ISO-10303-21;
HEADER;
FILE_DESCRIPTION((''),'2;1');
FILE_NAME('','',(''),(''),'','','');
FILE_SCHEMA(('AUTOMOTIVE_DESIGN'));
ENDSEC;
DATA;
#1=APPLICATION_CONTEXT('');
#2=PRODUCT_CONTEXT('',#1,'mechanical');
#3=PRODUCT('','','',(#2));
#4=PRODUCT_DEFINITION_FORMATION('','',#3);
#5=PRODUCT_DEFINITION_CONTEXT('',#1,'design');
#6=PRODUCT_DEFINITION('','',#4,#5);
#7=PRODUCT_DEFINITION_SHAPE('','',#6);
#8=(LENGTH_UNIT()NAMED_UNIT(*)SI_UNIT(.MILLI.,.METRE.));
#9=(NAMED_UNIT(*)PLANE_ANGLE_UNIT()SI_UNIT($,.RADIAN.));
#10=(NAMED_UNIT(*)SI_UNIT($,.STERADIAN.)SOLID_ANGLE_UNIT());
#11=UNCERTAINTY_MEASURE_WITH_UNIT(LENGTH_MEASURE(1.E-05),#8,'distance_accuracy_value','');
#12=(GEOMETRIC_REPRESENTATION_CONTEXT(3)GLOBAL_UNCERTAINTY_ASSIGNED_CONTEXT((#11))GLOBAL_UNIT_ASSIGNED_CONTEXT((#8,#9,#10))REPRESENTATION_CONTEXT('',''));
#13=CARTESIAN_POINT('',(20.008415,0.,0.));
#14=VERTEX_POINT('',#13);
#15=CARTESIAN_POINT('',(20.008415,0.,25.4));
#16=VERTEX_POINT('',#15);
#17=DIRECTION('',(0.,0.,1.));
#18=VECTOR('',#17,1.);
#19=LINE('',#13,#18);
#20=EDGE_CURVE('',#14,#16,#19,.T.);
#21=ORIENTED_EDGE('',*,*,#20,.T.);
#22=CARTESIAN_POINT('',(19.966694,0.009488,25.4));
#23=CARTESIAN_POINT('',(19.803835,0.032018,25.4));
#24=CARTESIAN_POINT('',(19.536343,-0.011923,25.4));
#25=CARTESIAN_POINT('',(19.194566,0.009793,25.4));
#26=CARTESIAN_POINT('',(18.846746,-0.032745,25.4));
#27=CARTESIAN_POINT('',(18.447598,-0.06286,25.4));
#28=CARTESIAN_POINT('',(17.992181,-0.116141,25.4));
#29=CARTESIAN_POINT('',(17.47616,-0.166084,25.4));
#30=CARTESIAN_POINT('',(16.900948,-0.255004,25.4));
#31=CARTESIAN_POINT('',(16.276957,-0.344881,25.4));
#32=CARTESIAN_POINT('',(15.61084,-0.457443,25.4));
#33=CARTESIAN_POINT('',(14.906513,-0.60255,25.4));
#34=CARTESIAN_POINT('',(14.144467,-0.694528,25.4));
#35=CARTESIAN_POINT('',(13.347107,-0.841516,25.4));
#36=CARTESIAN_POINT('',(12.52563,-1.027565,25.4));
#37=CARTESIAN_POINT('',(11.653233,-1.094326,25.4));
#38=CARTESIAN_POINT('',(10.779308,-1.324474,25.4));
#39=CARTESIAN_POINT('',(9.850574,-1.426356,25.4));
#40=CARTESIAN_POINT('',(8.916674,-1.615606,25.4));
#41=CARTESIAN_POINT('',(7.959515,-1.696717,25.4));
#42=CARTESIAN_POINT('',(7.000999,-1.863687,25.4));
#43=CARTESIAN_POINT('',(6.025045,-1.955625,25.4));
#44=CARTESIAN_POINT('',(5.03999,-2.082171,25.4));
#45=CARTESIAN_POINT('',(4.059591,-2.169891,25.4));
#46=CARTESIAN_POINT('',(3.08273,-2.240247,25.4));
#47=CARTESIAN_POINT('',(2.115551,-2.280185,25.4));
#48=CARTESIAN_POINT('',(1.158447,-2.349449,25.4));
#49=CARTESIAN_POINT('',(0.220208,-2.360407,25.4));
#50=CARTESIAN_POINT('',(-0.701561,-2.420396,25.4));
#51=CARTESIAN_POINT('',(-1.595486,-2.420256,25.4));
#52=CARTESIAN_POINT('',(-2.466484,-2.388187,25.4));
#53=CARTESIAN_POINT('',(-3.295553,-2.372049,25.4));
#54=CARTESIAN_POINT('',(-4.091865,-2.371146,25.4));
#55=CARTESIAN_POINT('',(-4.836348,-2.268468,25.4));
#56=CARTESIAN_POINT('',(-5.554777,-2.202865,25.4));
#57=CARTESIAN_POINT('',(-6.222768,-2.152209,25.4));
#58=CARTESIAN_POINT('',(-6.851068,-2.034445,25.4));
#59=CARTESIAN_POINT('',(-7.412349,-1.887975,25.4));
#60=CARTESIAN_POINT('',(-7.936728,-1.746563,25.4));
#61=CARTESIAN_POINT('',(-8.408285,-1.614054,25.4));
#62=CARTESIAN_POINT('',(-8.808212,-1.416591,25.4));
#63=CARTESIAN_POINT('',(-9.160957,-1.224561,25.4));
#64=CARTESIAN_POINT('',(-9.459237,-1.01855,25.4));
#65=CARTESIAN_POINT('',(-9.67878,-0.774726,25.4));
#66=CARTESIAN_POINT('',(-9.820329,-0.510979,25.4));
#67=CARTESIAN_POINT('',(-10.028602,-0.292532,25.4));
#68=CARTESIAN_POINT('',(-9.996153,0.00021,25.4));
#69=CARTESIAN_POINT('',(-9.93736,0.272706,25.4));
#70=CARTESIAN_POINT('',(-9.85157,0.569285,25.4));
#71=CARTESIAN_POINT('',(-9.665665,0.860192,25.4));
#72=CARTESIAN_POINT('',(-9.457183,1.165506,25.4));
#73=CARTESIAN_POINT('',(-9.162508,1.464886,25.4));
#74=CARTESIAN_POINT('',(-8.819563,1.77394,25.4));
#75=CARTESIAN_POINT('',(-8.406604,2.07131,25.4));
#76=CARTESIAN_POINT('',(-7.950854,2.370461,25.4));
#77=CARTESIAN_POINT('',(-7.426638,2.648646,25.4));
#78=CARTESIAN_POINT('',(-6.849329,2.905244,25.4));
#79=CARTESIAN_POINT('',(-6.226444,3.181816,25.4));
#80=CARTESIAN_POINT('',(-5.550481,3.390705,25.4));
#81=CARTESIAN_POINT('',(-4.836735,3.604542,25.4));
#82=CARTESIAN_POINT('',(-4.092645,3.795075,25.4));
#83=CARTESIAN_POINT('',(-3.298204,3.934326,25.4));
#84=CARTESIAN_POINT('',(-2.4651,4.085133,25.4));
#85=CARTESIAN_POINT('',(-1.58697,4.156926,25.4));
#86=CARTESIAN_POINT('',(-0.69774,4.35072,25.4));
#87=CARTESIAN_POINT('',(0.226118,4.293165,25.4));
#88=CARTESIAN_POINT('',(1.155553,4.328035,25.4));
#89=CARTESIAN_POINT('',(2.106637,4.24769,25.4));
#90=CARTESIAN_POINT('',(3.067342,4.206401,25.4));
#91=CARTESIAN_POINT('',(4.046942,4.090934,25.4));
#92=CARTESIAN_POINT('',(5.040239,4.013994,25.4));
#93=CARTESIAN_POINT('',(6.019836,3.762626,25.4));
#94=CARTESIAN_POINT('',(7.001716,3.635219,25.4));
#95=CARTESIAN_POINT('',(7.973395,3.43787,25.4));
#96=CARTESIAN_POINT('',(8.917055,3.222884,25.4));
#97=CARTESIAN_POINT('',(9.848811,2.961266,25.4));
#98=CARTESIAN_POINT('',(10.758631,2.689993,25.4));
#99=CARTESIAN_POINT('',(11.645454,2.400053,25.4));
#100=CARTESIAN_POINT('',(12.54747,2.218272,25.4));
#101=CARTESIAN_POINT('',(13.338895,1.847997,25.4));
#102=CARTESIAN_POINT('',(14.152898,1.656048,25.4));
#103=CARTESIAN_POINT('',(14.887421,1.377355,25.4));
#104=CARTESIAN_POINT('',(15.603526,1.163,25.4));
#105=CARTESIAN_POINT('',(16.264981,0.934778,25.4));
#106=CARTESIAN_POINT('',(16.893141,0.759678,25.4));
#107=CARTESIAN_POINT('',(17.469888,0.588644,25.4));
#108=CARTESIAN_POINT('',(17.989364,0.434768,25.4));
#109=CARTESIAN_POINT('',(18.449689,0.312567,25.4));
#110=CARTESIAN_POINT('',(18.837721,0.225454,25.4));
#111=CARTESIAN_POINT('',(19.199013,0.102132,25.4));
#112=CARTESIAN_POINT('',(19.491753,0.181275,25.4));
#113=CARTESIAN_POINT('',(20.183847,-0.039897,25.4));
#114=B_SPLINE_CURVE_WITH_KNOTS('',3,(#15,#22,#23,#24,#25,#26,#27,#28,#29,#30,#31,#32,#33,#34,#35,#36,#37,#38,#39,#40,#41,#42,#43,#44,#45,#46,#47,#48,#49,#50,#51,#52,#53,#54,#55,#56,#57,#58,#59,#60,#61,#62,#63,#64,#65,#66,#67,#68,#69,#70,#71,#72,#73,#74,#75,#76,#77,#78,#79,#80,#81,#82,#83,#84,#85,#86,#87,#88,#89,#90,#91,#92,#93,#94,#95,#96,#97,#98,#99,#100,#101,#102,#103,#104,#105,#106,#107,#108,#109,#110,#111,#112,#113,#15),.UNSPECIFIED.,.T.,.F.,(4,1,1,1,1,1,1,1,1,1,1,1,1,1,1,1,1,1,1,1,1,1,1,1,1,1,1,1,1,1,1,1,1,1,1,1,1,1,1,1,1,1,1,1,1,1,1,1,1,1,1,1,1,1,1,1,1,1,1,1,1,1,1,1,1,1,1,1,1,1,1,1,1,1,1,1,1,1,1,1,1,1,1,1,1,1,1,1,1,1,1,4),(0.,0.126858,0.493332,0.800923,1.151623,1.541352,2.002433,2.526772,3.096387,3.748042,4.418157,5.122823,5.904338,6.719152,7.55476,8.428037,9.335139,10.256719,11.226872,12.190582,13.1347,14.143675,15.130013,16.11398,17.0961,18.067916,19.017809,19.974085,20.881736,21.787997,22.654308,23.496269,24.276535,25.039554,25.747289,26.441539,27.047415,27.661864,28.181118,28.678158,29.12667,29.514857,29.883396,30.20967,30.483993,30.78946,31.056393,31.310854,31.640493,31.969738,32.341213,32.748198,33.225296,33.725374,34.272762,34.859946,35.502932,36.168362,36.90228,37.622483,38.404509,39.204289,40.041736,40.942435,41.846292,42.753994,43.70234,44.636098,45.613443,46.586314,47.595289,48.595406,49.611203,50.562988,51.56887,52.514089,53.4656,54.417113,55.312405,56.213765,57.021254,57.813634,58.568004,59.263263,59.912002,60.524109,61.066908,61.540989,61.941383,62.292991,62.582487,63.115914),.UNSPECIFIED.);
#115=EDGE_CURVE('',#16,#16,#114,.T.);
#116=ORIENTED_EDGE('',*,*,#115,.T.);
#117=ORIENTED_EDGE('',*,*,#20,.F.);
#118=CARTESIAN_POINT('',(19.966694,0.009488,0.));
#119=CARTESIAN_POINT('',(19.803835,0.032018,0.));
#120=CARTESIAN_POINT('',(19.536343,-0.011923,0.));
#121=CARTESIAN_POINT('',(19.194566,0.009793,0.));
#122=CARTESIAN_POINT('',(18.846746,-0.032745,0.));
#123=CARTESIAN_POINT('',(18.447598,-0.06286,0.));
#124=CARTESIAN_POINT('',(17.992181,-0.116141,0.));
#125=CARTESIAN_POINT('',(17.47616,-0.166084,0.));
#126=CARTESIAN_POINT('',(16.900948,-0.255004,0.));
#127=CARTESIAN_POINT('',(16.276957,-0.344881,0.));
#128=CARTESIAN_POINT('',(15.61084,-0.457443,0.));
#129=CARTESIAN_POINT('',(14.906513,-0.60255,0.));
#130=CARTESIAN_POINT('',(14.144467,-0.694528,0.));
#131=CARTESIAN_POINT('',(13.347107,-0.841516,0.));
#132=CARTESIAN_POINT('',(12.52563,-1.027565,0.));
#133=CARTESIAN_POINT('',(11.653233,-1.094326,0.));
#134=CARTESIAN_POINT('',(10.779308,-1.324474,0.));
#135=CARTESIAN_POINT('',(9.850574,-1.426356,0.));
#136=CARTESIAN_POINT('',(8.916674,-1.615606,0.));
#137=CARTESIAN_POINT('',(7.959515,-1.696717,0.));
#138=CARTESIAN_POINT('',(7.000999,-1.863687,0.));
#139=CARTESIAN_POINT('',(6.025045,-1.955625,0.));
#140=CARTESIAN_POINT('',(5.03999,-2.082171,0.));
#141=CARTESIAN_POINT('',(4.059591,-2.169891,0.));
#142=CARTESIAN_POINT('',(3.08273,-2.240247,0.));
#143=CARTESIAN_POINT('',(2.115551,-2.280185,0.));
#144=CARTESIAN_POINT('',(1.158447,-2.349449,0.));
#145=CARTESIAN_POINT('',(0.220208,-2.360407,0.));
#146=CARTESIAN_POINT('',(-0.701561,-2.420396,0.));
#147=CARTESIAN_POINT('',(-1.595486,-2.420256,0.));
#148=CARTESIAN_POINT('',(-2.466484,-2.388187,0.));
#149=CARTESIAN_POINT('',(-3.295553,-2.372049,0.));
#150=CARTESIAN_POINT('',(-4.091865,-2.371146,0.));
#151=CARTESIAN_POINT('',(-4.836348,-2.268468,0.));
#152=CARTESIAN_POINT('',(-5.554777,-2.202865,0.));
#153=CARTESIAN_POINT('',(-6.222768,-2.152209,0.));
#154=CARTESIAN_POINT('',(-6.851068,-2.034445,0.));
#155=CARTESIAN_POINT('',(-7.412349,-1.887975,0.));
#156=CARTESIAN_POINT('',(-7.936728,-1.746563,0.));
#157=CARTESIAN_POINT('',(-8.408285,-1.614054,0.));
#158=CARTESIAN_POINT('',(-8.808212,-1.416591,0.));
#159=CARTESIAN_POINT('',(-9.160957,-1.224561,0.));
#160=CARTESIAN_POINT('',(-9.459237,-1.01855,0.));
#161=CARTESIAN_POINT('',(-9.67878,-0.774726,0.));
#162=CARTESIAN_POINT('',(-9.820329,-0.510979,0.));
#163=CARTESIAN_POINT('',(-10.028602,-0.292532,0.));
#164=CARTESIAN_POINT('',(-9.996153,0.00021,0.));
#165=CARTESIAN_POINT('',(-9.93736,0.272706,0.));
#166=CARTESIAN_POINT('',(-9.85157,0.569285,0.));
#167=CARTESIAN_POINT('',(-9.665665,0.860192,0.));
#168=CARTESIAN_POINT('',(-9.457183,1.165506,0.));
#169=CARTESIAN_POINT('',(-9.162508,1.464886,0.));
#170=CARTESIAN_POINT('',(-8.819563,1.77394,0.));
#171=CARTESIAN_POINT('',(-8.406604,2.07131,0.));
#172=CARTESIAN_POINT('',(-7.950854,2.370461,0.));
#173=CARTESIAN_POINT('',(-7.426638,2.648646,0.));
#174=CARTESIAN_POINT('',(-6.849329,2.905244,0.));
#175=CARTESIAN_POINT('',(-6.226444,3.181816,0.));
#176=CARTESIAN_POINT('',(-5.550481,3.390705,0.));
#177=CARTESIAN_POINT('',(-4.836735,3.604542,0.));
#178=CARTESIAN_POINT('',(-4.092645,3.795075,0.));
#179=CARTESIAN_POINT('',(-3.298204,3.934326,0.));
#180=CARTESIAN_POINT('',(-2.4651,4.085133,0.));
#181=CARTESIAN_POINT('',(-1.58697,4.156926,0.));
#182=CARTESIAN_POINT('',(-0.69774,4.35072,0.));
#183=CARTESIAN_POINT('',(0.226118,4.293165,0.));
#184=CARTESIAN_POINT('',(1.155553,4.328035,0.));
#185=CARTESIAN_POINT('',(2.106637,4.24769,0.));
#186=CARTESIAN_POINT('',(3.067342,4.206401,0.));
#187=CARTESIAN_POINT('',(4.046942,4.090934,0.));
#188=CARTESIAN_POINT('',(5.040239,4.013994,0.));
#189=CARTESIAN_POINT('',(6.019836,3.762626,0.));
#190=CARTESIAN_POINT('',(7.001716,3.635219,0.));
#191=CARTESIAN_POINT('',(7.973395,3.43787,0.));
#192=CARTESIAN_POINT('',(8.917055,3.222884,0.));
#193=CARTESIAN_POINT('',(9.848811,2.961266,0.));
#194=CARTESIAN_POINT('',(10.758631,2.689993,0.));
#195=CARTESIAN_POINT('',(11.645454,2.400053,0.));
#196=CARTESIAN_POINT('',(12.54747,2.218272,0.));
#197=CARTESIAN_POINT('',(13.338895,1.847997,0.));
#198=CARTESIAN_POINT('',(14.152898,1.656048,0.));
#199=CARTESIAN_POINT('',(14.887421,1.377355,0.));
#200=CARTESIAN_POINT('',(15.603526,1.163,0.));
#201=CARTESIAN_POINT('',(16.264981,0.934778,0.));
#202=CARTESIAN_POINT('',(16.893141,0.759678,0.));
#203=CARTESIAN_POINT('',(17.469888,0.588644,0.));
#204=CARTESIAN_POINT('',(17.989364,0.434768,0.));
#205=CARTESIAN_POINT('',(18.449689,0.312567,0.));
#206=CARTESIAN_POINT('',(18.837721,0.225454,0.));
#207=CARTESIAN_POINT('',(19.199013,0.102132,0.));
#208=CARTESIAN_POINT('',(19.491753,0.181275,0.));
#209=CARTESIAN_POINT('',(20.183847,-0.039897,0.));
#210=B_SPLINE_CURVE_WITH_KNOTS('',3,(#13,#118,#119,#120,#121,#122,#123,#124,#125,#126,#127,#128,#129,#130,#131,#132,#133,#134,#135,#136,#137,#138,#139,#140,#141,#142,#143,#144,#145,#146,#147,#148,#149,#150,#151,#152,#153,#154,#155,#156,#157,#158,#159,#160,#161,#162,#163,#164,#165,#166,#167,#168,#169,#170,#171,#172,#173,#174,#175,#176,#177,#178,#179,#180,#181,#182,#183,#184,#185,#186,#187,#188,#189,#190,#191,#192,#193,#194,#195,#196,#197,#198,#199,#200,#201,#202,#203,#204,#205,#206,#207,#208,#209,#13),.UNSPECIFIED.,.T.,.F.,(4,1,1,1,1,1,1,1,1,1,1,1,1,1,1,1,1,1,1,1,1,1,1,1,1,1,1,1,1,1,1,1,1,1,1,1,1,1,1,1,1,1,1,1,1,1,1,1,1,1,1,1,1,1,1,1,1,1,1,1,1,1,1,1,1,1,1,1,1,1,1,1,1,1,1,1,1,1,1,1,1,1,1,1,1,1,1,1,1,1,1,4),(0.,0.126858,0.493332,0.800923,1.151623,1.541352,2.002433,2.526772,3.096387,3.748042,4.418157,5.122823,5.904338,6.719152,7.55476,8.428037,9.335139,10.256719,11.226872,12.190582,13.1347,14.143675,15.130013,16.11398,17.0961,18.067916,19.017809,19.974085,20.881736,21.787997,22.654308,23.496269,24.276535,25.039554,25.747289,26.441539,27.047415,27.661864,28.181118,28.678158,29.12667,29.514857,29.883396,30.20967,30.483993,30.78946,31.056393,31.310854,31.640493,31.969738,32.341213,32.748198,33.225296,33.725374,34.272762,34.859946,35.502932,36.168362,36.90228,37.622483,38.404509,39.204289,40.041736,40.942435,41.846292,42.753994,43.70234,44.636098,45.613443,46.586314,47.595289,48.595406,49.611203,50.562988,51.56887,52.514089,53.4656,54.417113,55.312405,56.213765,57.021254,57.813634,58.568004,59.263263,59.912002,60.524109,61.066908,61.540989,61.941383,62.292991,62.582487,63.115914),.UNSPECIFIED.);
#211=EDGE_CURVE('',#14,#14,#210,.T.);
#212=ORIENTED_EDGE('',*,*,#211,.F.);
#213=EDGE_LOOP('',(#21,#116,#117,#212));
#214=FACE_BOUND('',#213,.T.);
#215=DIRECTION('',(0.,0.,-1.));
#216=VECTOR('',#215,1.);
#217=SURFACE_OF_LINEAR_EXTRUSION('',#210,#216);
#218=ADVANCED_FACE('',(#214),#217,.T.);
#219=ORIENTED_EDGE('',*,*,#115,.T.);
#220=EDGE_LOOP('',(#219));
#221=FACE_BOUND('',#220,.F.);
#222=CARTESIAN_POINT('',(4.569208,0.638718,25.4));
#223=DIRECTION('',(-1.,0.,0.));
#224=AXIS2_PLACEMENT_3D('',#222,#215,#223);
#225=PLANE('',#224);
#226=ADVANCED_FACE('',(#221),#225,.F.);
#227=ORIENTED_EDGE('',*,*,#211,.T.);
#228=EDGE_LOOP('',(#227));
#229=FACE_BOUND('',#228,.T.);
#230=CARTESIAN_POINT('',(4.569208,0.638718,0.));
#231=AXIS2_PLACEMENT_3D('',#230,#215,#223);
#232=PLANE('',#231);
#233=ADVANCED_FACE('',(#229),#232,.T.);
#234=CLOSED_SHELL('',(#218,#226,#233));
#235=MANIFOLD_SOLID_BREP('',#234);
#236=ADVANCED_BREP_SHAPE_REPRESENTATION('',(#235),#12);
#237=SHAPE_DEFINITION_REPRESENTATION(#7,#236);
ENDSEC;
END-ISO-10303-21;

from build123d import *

# Parameters (mm, degrees)
F1_DEPTH = 25.4


with BuildPart() as f1:
    # F0 (on Top) → F1 (new body)
    with BuildSketch(Plane.XY):
        with BuildLine():
            add(Edge.make_bspline(
                [(20.008415, 0), (19.966694, 0.009488), (19.803835, 0.032018), (19.536343, -0.011923), (19.194566, 0.009793), (18.846746, -0.032745), (18.447598, -0.06286), (17.992181, -0.116141), (17.47616, -0.166084), (16.900948, -0.255004), (16.276957, -0.344881), (15.61084, -0.457443), (14.906513, -0.60255), (14.144467, -0.694528), (13.347107, -0.841516), (12.52563, -1.027565), (11.653233, -1.094326), (10.779308, -1.324474), (9.850574, -1.426356), (8.916674, -1.615606), (7.959515, -1.696717), (7.000999, -1.863687), (6.025045, -1.955625), (5.03999, -2.082171), (4.059591, -2.169891), (3.08273, -2.240247), (2.115551, -2.280185), (1.158447, -2.349449), (0.220208, -2.360407), (-0.701561, -2.420396), (-1.595486, -2.420256), (-2.466484, -2.388187), (-3.295553, -2.372049), (-4.091865, -2.371146), (-4.836348, -2.268468), (-5.554777, -2.202865), (-6.222768, -2.152209), (-6.851068, -2.034445), (-7.412349, -1.887975), (-7.936728, -1.746563), (-8.408285, -1.614054), (-8.808212, -1.416591), (-9.160957, -1.224561), (-9.459237, -1.01855), (-9.67878, -0.774726), (-9.820329, -0.510979), (-10.028602, -0.292532), (-9.996153, 0.00021), (-9.93736, 0.272706), (-9.85157, 0.569285), (-9.665665, 0.860192), (-9.457183, 1.165506), (-9.162508, 1.464886), (-8.819563, 1.77394), (-8.406604, 2.07131), (-7.950854, 2.370461), (-7.426638, 2.648646), (-6.849329, 2.905244), (-6.226444, 3.181816), (-5.550481, 3.390705), (-4.836735, 3.604542), (-4.092645, 3.795075), (-3.298204, 3.934326), (-2.4651, 4.085133), (-1.58697, 4.156926), (-0.69774, 4.35072), (0.226118, 4.293165), (1.155553, 4.328035), (2.106637, 4.24769), (3.067342, 4.206401), (4.046942, 4.090934), (5.040239, 4.013994), (6.019836, 3.762626), (7.001716, 3.635219), (7.973395, 3.43787), (8.917055, 3.222884), (9.848811, 2.961266), (10.758631, 2.689993), (11.645454, 2.400053), (12.54747, 2.218272), (13.338895, 1.847997), (14.152898, 1.656048), (14.887421, 1.377355), (15.603526, 1.163), (16.264981, 0.934778), (16.893141, 0.759678), (17.469888, 0.588644), (17.989364, 0.434768), (18.449689, 0.312567), (18.837721, 0.225454), (19.199013, 0.102132), (19.491753, 0.181275), (20.183847, -0.039897), (20.008415, 0)],
                knots=[0, 0, 0, 0, 0.126858, 0.493332, 0.800923, 1.151623, 1.541352, 2.002433, 2.526772, 3.096387, 3.748042, 4.418157, 5.122823, 5.904338, 6.719152, 7.55476, 8.428037, 9.335139, 10.256719, 11.226872, 12.190582, 13.1347, 14.143675, 15.130013, 16.11398, 17.0961, 18.067916, 19.017809, 19.974085, 20.881736, 21.787997, 22.654308, 23.496269, 24.276535, 25.039554, 25.747289, 26.441539, 27.047415, 27.661864, 28.181118, 28.678158, 29.12667, 29.514857, 29.883396, 30.20967, 30.483993, 30.78946, 31.056393, 31.310854, 31.640493, 31.969738, 32.341213, 32.748198, 33.225296, 33.725374, 34.272762, 34.859946, 35.502932, 36.168362, 36.90228, 37.622483, 38.404509, 39.204289, 40.041736, 40.942435, 41.846292, 42.753994, 43.70234, 44.636098, 45.613443, 46.586314, 47.595289, 48.595406, 49.611203, 50.562988, 51.56887, 52.514089, 53.4656, 54.417113, 55.312405, 56.213765, 57.021254, 57.813634, 58.568004, 59.263263, 59.912002, 60.524109, 61.066908, 61.540989, 61.941383, 62.292991, 62.582487, 63.115914, 63.115914, 63.115914, 63.115914], degree=3))
        make_face()
    extrude(amount=F1_DEPTH)


solid = f1.part
